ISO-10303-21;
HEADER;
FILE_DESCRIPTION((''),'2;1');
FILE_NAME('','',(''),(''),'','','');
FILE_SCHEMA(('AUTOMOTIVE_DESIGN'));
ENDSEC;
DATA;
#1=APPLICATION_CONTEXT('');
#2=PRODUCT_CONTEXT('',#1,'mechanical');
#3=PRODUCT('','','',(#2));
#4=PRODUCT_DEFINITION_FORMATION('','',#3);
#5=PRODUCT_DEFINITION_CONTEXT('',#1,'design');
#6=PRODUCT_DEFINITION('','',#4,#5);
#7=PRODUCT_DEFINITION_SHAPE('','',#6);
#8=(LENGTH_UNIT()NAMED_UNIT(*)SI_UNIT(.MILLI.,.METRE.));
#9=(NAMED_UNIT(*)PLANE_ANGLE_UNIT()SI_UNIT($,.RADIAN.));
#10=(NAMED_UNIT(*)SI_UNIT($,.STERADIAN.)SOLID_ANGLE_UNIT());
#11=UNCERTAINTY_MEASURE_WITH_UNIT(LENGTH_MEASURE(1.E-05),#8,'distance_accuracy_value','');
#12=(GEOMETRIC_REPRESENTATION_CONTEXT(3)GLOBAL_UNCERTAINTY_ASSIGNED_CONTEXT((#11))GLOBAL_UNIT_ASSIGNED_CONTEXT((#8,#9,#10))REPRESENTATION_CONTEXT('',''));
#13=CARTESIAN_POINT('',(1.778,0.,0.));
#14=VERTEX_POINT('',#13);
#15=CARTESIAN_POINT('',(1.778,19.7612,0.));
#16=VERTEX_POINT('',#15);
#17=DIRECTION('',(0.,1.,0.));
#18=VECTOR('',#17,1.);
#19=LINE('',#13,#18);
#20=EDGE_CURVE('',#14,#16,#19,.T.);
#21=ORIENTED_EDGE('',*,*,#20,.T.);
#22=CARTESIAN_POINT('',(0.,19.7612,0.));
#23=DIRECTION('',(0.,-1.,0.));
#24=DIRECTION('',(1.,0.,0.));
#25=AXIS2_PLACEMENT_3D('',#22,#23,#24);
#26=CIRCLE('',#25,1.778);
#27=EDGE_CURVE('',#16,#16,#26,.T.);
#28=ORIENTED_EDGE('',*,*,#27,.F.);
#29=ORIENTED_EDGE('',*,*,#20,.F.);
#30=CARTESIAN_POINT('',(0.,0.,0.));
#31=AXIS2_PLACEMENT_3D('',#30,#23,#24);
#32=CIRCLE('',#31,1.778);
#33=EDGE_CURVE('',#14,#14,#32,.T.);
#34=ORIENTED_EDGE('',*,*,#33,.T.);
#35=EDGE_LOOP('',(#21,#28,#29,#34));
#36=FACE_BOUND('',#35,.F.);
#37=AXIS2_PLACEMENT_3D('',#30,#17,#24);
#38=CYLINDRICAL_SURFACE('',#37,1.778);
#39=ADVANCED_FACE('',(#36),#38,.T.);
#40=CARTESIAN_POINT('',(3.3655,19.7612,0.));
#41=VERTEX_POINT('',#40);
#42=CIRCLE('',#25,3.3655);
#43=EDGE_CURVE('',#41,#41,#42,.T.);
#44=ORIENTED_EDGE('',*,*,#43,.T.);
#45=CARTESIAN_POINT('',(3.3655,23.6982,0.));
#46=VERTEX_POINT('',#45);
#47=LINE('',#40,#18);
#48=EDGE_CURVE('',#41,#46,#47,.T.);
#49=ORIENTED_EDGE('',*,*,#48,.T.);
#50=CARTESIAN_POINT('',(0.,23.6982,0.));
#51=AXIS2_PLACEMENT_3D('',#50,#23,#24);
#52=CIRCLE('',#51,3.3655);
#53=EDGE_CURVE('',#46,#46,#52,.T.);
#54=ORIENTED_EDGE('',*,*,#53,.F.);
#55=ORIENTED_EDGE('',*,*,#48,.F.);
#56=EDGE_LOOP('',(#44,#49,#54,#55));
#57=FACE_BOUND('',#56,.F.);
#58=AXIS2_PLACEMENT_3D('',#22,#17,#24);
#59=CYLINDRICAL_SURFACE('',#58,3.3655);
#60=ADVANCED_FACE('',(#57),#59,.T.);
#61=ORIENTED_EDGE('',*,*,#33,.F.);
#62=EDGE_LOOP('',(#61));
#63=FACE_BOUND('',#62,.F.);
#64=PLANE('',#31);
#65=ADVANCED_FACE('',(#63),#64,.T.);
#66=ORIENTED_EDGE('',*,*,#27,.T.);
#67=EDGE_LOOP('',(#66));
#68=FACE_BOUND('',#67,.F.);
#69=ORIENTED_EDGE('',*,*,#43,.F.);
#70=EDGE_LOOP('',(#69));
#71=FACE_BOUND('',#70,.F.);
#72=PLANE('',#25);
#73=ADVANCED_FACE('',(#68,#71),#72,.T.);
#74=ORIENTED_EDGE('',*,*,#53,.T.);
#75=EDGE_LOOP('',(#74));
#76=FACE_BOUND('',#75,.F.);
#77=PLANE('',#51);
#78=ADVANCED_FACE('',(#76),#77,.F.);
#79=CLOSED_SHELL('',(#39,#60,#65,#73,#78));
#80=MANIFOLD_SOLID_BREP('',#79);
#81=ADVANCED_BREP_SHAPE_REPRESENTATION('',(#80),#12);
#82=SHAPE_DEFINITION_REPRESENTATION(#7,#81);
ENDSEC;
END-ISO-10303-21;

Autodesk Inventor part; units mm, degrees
ref_plane "YZ Plane" through (0, 0, 0) normal (1, 0, 0) x (0, 1, 0)
ref_plane "XZ Plane" through (0, 0, 0) normal (0, 1, 0) x (-1, 0, 0)
ref_plane "XY Plane" through (0, 0, 0) normal (0, 0, 1) x (1, 0, 0)
sketch "Sketch1" plane through (0, 0, 0) normal (0, 0, 1) x (1, 0, 0)
  line L0 (0, 0) -> (1.778, 0)
  line L1 (1.778, 0) -> (1.778, 19.7612)
  line L2 (1.778, 19.7612) -> (3.3655, 19.7612)
  line L3 (3.3655, 19.7612) -> (3.3655, 23.6982)
  line L4 (3.3655, 23.6982) -> (0, 23.6982)
  line L5 (0, 23.6982) -> (0, 0)
  dimension "d1" = 6.731
  dimension "d2" = 3.556
  dimension "d3" = 3.937
  dimension "d4" = 19.7612
revolve "Revolution1" add sketch "Sketch1" angle 360 about axis through (0, 23.6982, 0) along (0, -1, 0)
properties part number "Screw 2"
